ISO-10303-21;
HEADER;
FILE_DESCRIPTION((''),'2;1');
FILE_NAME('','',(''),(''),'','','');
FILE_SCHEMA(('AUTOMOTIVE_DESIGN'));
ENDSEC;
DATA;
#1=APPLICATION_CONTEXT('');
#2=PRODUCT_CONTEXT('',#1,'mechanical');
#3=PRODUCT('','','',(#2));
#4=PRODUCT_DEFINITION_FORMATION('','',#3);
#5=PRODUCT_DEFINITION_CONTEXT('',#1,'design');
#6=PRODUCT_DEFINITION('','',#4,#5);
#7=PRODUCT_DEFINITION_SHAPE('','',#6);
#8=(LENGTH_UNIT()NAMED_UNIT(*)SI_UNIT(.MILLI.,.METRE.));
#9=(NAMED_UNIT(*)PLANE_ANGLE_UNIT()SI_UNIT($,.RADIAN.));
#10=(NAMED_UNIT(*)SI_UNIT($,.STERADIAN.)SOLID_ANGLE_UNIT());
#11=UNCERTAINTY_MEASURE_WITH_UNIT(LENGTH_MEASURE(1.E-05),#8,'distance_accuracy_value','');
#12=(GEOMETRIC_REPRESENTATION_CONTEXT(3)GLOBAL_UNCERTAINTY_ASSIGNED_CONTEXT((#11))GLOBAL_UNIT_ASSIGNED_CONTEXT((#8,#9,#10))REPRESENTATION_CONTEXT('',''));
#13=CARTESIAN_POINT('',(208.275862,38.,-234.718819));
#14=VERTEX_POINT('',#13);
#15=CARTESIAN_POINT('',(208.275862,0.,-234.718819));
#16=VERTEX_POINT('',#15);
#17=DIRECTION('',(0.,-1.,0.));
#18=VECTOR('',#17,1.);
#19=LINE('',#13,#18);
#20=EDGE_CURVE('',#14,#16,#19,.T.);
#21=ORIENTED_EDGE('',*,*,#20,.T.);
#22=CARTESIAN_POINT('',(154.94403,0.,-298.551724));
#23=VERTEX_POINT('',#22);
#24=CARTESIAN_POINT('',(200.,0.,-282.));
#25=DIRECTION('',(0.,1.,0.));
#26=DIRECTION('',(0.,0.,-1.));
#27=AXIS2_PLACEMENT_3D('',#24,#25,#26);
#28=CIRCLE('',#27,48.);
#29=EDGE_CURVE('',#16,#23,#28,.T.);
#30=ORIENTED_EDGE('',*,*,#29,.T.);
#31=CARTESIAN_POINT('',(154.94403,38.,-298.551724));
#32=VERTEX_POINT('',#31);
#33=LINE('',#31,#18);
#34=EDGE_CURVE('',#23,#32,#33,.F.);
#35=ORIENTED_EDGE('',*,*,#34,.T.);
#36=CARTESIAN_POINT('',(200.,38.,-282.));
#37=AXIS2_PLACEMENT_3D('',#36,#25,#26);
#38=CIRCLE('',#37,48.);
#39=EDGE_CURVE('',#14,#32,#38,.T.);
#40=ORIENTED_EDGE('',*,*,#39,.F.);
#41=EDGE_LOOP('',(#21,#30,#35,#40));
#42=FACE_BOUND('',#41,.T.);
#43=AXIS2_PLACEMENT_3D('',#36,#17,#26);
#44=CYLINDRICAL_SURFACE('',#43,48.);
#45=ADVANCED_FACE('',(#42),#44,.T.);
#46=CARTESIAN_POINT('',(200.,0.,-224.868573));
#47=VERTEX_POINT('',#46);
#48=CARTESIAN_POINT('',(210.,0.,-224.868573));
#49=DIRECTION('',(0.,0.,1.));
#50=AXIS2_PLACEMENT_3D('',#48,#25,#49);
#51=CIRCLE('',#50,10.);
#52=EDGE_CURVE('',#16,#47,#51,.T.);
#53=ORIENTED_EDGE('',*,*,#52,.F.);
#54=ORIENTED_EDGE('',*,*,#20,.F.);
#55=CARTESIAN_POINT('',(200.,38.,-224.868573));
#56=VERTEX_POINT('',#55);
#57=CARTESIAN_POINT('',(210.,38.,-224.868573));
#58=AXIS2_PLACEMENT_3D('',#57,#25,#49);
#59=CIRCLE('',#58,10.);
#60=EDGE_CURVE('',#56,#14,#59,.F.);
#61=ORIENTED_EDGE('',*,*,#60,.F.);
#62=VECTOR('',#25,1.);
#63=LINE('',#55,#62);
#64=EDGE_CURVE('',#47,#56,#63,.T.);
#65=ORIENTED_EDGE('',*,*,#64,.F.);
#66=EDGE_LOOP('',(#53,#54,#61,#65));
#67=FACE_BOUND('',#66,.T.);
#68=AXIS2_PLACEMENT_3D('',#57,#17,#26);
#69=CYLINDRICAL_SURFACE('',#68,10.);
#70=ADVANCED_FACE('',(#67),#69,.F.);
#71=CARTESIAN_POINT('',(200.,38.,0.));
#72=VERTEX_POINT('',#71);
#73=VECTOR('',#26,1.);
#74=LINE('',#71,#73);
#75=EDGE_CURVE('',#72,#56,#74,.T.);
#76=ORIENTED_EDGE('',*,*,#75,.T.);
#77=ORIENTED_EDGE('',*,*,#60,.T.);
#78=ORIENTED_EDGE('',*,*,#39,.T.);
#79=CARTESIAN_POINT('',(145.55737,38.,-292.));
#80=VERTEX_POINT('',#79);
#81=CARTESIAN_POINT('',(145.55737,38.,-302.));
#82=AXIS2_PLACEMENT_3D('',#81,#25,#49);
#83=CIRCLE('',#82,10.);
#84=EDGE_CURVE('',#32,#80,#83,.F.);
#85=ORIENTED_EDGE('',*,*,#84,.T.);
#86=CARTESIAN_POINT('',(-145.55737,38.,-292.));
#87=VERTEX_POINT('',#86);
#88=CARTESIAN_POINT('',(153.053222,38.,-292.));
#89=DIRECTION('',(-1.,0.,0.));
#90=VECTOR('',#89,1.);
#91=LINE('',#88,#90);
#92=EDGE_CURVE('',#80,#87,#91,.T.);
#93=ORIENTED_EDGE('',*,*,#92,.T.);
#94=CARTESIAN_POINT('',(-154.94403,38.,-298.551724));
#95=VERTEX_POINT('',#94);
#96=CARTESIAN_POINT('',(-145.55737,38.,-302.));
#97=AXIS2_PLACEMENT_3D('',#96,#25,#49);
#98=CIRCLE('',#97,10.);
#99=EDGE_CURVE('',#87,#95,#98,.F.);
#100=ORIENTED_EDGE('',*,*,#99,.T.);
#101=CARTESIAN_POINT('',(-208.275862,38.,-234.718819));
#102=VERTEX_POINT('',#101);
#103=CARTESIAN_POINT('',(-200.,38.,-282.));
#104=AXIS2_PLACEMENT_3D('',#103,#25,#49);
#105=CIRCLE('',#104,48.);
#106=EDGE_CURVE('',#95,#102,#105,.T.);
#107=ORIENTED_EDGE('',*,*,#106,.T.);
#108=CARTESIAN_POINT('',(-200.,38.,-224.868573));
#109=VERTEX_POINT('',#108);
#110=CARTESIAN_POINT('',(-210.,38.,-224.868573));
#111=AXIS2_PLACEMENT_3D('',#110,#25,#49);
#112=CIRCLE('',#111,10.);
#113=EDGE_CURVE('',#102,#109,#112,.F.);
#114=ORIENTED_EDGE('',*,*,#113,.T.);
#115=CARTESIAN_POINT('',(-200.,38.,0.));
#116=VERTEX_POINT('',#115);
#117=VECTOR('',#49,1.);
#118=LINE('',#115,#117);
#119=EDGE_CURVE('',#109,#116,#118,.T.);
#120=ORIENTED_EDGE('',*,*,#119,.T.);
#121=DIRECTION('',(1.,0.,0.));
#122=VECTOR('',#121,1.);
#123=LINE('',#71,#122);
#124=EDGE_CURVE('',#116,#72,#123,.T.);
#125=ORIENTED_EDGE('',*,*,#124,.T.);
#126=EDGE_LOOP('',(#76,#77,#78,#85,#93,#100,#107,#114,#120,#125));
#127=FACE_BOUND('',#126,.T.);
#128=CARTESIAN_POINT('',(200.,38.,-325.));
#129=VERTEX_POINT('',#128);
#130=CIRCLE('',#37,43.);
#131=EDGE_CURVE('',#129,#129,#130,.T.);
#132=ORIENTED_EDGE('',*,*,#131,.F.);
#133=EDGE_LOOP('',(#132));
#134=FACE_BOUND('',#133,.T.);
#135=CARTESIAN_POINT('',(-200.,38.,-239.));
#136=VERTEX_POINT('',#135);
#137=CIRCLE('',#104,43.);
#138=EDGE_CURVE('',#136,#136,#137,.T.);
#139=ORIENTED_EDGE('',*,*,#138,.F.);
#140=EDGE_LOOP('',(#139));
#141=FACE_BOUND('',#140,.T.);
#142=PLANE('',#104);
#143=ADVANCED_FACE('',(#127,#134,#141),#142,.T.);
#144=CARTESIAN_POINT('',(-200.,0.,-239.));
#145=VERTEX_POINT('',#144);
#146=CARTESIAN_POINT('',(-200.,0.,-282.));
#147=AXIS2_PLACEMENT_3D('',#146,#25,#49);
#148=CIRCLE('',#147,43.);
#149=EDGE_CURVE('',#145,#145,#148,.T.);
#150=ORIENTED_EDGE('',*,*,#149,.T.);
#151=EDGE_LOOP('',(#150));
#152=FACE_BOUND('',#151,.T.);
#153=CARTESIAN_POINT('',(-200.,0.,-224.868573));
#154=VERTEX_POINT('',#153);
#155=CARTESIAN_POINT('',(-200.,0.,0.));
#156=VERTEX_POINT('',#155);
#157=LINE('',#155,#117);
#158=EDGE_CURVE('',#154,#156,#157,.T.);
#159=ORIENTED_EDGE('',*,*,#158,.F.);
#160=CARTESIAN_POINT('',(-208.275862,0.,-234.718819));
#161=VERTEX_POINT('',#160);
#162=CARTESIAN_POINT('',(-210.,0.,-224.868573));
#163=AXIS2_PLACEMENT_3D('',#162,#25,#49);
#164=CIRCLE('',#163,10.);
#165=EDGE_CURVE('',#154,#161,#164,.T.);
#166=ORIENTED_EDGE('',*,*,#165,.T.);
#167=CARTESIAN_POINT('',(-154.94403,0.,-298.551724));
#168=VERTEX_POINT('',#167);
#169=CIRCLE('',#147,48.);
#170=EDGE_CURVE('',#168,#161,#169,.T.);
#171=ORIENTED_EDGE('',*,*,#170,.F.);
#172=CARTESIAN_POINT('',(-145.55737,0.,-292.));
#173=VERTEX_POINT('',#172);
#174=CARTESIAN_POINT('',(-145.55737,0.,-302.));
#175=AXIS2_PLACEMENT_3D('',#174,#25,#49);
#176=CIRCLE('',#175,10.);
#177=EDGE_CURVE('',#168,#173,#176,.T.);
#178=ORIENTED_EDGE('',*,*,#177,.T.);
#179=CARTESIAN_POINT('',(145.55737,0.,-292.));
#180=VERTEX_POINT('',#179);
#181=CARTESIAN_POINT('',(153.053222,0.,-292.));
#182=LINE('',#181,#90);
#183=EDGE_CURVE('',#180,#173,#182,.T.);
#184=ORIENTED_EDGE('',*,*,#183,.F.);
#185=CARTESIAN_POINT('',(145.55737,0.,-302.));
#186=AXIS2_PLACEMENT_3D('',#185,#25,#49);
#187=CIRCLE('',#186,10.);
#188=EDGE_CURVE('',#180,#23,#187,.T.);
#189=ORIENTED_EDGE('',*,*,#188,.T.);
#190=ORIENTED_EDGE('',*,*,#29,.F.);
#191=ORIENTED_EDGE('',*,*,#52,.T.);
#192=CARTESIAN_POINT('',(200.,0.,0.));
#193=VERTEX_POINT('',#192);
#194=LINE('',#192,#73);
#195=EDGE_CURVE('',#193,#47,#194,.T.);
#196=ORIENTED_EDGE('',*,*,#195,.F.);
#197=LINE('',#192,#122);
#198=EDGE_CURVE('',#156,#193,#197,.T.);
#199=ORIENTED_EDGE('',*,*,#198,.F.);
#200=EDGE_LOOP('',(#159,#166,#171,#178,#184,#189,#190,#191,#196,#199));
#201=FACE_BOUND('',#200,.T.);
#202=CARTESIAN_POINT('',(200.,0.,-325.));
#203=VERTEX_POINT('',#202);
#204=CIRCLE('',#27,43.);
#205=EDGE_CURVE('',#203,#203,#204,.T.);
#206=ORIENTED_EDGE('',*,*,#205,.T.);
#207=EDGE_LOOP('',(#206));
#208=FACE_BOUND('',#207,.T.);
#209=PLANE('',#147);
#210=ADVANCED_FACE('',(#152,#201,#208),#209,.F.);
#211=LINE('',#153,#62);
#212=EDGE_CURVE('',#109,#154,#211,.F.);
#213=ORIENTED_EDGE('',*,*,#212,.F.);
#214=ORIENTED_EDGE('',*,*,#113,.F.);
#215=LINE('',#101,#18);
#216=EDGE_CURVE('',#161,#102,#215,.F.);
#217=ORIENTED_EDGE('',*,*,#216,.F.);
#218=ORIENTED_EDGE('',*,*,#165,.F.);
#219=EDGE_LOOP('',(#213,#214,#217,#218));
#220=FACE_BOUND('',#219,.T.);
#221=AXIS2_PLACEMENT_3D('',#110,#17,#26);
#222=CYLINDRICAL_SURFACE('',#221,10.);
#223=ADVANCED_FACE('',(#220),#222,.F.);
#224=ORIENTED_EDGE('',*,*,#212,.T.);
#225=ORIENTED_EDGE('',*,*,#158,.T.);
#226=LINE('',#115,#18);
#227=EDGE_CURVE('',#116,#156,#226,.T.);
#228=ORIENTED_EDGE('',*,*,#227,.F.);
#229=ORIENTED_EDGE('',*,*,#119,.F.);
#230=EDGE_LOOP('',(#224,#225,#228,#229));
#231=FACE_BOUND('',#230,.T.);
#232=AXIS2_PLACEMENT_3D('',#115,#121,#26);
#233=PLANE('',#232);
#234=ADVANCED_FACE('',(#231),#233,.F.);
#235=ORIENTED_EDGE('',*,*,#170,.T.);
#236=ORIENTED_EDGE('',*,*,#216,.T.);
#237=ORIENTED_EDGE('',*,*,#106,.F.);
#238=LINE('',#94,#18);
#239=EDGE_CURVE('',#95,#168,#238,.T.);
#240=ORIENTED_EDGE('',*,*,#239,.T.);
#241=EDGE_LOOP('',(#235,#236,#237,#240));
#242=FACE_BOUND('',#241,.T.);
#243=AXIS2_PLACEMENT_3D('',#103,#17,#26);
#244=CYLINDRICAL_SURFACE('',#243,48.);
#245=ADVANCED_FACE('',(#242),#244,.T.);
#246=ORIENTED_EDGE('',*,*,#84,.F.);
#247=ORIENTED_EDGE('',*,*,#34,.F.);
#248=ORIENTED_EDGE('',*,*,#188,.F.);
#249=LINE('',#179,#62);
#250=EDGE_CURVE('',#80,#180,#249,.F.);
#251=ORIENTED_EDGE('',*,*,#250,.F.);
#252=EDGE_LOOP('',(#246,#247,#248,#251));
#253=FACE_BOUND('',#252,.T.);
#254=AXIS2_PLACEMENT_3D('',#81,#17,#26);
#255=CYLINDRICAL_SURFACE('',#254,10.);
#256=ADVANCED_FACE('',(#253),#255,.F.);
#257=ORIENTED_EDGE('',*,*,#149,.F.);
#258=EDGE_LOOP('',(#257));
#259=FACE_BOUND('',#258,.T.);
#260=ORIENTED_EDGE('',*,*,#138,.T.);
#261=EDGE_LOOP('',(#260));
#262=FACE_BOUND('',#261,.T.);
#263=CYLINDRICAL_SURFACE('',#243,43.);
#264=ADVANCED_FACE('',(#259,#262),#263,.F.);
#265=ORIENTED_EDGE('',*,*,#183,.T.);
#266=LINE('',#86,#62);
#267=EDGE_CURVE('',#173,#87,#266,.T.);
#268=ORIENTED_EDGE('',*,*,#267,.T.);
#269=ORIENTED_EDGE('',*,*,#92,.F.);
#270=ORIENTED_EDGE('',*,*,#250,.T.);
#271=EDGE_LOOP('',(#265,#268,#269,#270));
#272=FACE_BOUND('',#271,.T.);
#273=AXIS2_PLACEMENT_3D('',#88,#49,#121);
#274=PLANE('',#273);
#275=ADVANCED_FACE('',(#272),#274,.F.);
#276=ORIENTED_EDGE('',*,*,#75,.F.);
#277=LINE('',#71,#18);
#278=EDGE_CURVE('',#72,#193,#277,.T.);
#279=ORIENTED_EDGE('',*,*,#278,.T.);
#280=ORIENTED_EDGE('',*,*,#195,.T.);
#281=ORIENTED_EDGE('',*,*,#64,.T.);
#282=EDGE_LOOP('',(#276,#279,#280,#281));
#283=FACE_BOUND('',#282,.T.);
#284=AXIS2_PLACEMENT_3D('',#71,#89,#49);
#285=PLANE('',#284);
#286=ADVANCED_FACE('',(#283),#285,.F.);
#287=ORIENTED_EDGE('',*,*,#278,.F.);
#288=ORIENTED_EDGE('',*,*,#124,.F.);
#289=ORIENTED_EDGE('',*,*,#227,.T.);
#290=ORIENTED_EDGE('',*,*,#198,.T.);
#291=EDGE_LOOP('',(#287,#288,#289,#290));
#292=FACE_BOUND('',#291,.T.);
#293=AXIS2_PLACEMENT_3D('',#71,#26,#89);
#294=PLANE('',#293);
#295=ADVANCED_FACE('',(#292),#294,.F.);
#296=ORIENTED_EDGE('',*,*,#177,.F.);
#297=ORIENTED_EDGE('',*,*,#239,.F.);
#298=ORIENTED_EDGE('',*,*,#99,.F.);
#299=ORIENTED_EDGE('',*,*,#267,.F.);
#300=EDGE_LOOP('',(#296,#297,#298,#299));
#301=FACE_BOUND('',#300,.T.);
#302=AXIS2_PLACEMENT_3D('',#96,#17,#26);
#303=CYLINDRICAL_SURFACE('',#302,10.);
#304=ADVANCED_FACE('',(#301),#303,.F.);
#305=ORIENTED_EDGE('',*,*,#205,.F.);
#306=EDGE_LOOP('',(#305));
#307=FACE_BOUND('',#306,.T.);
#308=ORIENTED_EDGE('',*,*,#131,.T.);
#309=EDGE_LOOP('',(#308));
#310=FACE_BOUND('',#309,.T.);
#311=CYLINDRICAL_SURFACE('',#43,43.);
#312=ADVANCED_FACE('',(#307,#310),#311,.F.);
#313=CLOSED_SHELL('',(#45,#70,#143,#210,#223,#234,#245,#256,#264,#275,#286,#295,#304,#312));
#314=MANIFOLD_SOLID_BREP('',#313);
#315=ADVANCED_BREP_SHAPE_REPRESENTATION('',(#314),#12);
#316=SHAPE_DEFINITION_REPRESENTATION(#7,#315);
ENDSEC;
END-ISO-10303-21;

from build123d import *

# Parameters (mm, degrees)
SKETCH1_R           = 43
BOSS_EXTRUDE1_DEPTH = 38
FILLET1_R           = 10


with BuildPart() as part:
    # Sketch1 → Boss-Extrude1 (new body)
    with BuildSketch(Plane(origin=(0, 0, 0), x_dir=(1, 0, 0), z_dir=(0, 1, 0))):
        with BuildLine():
            Line((200, 0), (-200, 0))
            Line((-200, 0), (-200, 234))
            ThreePointArc((-200, 234), (-237.309516212, 312.199337741), (-153.053221623, 292))
            Line((-153.053221623, 292), (153.053221623, 292))
            ThreePointArc((153.053221623, 292), (237.309516212, 312.199337741), (200, 234))
            Line((200, 234), (200, 0))
        make_face()
        with Locations((-200, 282)):
            Circle(SKETCH1_R, mode=Mode.SUBTRACT)
        with Locations((200, 282)):
            Circle(SKETCH1_R, mode=Mode.SUBTRACT)
    extrude(amount=BOSS_EXTRUDE1_DEPTH)

    # Fillet1
    fillet1_edges = [part.edges().sort_by_distance(p)[0] for p in [
        (-200, 19, -234),
        (-153.053221623, 19, -292),
        (153.053221623, 19, -292),
        (200, 19, -234),
    ]]
    fillet(fillet1_edges, radius=FILLET1_R)


solid = part.part
